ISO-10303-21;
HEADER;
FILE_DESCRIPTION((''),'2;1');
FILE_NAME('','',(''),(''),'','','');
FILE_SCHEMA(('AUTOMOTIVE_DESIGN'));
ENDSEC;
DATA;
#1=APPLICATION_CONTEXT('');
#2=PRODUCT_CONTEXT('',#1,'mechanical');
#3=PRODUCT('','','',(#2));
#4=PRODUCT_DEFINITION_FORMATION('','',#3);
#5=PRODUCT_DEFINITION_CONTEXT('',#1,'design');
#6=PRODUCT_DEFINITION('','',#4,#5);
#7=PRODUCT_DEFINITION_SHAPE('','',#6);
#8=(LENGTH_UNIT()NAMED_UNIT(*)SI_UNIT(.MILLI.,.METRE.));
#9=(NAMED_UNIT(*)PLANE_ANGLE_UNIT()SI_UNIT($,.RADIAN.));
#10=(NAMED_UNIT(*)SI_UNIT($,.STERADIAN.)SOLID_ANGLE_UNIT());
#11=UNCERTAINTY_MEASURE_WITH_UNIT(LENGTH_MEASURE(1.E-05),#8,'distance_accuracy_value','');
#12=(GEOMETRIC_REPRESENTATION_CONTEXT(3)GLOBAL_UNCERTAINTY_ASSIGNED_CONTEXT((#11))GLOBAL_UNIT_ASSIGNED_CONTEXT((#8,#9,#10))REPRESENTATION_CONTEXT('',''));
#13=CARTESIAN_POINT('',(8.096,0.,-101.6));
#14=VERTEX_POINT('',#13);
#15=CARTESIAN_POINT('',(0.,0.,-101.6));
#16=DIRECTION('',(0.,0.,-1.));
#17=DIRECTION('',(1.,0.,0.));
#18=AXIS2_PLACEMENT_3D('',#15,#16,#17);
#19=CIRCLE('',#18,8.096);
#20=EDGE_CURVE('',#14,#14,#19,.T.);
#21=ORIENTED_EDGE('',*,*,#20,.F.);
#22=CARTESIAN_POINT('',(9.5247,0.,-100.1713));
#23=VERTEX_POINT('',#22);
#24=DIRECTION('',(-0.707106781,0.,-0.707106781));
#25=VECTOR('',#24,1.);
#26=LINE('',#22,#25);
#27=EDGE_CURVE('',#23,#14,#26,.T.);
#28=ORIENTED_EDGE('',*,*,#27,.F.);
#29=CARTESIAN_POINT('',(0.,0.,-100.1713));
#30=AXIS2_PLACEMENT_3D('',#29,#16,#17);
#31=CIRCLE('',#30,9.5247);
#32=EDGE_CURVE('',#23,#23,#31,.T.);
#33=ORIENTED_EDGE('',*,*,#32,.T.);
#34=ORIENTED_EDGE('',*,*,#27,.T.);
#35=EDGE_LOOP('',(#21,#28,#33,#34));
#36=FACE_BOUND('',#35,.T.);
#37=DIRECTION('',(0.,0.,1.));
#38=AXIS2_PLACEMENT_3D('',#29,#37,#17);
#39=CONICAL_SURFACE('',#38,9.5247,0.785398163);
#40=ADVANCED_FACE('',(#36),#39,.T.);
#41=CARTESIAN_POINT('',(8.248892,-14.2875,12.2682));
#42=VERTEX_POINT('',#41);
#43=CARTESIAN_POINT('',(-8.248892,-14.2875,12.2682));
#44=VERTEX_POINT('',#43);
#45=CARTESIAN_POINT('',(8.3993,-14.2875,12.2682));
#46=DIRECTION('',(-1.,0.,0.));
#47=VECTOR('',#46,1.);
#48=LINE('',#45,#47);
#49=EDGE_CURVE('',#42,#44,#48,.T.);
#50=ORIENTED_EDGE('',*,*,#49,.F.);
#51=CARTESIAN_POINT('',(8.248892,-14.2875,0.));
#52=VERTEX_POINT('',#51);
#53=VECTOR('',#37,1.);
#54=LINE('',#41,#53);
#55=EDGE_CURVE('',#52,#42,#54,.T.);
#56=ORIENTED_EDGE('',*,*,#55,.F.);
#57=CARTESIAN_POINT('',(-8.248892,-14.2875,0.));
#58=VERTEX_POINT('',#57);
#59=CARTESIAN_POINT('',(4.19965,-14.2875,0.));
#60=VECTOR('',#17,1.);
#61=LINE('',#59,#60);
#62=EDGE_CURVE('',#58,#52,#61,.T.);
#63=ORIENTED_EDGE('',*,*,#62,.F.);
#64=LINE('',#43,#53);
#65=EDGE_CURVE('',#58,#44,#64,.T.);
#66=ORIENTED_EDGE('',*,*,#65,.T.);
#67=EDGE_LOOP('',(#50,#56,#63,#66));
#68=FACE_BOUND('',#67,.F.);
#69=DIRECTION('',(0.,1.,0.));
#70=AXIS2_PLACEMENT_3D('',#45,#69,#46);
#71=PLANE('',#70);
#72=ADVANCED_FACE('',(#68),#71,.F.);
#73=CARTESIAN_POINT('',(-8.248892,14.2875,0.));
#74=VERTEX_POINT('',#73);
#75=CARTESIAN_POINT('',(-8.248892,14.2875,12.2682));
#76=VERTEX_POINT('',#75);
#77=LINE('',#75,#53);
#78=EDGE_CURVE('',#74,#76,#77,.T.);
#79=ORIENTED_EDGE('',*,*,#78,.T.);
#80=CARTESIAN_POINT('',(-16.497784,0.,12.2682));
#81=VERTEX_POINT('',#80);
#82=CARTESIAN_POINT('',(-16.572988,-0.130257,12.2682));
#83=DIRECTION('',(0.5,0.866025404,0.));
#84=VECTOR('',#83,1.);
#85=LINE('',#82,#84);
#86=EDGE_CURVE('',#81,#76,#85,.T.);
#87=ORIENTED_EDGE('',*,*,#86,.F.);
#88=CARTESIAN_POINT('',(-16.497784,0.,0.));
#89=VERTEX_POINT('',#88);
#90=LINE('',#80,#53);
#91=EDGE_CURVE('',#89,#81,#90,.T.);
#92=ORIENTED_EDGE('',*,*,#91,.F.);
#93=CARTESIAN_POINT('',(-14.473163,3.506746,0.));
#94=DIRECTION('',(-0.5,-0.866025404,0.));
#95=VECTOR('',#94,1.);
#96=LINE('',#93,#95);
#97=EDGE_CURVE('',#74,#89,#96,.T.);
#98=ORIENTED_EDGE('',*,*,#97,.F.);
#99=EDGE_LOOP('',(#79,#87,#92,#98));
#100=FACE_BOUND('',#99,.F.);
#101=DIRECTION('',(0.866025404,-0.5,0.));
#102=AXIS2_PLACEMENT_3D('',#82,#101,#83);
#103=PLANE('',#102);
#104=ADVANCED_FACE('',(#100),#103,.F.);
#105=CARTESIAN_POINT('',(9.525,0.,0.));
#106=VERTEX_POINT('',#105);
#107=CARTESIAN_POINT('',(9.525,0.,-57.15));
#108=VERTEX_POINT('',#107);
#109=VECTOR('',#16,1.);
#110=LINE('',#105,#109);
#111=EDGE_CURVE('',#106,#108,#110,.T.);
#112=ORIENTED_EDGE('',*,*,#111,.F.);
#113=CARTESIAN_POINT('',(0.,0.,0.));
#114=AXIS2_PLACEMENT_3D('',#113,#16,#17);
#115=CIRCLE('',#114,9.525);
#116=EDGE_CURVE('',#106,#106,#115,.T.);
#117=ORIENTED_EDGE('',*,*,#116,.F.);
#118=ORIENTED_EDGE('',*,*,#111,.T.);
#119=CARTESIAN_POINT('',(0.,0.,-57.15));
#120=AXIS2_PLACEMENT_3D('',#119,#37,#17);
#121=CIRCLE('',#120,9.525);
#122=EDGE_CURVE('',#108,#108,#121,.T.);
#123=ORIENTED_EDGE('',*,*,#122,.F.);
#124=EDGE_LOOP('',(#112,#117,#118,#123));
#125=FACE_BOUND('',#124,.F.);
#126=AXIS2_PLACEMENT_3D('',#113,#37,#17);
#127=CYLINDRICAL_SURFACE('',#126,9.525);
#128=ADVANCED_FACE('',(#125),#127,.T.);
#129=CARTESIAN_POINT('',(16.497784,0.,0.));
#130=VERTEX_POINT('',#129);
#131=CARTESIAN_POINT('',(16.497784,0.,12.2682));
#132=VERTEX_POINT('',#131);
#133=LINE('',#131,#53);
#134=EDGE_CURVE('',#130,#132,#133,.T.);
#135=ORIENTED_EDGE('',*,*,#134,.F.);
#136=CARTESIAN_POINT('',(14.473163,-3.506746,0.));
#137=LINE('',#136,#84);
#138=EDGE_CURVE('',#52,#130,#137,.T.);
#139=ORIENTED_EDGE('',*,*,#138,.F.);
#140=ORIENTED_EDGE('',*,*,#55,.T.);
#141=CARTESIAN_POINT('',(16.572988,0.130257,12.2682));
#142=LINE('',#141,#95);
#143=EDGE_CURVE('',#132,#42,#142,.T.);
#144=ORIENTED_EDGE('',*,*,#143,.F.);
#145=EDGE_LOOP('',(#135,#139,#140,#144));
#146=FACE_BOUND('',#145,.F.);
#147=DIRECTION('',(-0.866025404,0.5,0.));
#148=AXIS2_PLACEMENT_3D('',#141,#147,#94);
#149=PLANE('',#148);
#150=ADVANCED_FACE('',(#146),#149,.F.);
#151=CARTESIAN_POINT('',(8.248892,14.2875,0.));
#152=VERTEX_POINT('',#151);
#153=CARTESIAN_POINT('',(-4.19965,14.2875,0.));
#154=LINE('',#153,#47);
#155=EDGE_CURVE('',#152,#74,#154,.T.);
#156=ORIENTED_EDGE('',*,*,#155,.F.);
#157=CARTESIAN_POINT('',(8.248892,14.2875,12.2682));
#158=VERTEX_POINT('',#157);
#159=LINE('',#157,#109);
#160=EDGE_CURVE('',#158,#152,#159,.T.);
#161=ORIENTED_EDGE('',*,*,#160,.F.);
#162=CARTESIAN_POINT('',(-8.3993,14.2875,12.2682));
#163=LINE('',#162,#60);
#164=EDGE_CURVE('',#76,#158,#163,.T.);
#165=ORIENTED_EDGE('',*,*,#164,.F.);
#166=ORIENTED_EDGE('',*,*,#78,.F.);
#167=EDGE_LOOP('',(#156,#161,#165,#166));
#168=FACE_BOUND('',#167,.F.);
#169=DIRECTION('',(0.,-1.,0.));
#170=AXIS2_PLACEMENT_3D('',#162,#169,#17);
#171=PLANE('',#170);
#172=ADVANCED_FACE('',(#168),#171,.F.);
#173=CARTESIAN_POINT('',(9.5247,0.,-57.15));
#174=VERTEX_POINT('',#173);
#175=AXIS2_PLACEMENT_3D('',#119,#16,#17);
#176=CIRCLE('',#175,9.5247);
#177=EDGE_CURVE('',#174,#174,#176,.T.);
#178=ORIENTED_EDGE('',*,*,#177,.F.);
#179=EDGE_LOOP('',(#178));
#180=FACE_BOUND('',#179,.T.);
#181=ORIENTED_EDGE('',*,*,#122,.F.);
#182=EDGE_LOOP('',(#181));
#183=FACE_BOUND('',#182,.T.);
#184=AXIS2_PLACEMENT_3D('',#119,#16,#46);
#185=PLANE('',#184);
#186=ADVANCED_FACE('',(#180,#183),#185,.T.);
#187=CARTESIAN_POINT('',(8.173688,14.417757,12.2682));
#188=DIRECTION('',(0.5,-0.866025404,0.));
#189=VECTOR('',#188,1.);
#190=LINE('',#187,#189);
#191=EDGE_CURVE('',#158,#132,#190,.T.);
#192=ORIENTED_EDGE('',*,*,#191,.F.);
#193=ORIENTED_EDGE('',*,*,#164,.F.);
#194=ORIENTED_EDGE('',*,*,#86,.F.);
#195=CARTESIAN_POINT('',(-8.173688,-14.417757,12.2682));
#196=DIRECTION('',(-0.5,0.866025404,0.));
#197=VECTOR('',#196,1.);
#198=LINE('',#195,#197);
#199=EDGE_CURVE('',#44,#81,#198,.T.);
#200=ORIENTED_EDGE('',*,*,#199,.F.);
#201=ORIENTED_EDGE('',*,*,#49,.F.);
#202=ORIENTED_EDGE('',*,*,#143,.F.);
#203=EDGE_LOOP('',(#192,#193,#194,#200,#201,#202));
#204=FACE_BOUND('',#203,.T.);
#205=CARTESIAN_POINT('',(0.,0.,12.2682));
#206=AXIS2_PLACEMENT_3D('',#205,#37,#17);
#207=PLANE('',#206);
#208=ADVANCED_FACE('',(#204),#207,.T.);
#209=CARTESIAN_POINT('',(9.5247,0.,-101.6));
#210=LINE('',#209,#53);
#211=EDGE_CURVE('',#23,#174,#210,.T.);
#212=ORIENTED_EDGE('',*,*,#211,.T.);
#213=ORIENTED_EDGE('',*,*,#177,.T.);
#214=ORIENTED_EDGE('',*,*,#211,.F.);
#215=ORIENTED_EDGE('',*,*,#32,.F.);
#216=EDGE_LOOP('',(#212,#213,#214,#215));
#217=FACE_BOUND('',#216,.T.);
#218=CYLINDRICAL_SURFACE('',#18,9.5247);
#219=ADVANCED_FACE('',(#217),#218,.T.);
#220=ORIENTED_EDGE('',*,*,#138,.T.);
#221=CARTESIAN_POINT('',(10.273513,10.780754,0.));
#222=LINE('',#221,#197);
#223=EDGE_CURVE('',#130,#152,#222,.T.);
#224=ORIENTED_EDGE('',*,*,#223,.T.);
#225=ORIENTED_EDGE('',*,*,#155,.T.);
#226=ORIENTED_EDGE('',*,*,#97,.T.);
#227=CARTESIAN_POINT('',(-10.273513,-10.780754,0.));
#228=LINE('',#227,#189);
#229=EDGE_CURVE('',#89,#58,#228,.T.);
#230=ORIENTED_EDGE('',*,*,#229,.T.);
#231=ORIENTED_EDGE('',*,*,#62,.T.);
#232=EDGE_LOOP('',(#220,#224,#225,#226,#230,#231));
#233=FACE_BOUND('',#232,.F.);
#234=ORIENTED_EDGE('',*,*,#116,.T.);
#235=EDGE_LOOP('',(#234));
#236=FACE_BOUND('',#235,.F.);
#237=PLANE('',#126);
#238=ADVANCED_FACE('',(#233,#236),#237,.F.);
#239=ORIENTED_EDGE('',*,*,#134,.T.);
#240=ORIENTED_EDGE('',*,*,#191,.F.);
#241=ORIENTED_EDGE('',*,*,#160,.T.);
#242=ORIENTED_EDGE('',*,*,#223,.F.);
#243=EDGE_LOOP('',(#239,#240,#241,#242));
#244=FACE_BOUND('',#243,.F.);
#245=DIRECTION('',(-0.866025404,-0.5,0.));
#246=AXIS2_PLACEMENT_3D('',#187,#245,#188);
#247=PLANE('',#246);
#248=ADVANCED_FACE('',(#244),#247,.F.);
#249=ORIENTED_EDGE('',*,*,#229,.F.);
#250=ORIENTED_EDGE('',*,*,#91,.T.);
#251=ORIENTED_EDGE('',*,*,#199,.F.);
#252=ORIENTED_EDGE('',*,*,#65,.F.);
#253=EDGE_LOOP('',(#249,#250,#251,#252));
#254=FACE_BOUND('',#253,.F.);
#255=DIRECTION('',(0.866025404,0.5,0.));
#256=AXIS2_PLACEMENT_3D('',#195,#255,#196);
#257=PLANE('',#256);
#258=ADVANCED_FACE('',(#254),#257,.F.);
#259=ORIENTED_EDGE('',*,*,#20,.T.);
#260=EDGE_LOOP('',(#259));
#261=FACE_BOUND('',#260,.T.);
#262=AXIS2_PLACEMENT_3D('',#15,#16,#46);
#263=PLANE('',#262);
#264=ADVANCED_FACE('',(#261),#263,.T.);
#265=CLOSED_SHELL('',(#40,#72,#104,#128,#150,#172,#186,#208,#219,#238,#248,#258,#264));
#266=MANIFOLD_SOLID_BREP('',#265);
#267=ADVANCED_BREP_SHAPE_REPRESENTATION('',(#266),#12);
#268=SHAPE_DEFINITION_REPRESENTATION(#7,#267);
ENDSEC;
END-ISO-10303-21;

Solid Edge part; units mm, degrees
sketch "Sketch1" plane through (0, 0, 0) normal (0, 0, 1) x (1, 0, 0)
  circle A0 centre (0, 0) radius 16.5735
  dimension "D1" = 33.147
extrude "Protrusion1" add sketch "Sketch1" along normal blind 12.2682
sketch "Sketch2" plane through (0, 0, 0) normal (0, 0, -1) x (1, 0, 0)
  circle A0 centre (0, 0) radius 9.525
extrude "Protrusion2" add sketch "Sketch2" along normal blind 101.6
sketch "Sketch3" plane through (0, 0, -101.6) normal (0, 0, -1) x (1, 0, 0)
  circle A0 centre (0, 0) radius 9.5247
extrude "Cutout1" cut sketch "Sketch3" against normal blind 44.45 flip side to cut
chamfer "Chamfer_1" distance 1.4287 angle 45 1 edges at (-9.5247, 0, -101.6)
sketch "Sketch4" plane through (0, 0, 12.2682) normal (0, 0, 1) x (1, 0, 0)
  line L0 (-8.3993, 14.2875) -> (8.3993, 14.2875)
  dimension "D1" = 28.575
extrude "Cutout2" cut sketch "Sketch4" against normal up to next material side at (0, 14.3375, 12.2682)
pattern_circular "Pattern1" count 6 over 360 about axis through (0, 0, 12.2682) along (0, 0, 1) of "Cutout2"
properties part number "24102884"
